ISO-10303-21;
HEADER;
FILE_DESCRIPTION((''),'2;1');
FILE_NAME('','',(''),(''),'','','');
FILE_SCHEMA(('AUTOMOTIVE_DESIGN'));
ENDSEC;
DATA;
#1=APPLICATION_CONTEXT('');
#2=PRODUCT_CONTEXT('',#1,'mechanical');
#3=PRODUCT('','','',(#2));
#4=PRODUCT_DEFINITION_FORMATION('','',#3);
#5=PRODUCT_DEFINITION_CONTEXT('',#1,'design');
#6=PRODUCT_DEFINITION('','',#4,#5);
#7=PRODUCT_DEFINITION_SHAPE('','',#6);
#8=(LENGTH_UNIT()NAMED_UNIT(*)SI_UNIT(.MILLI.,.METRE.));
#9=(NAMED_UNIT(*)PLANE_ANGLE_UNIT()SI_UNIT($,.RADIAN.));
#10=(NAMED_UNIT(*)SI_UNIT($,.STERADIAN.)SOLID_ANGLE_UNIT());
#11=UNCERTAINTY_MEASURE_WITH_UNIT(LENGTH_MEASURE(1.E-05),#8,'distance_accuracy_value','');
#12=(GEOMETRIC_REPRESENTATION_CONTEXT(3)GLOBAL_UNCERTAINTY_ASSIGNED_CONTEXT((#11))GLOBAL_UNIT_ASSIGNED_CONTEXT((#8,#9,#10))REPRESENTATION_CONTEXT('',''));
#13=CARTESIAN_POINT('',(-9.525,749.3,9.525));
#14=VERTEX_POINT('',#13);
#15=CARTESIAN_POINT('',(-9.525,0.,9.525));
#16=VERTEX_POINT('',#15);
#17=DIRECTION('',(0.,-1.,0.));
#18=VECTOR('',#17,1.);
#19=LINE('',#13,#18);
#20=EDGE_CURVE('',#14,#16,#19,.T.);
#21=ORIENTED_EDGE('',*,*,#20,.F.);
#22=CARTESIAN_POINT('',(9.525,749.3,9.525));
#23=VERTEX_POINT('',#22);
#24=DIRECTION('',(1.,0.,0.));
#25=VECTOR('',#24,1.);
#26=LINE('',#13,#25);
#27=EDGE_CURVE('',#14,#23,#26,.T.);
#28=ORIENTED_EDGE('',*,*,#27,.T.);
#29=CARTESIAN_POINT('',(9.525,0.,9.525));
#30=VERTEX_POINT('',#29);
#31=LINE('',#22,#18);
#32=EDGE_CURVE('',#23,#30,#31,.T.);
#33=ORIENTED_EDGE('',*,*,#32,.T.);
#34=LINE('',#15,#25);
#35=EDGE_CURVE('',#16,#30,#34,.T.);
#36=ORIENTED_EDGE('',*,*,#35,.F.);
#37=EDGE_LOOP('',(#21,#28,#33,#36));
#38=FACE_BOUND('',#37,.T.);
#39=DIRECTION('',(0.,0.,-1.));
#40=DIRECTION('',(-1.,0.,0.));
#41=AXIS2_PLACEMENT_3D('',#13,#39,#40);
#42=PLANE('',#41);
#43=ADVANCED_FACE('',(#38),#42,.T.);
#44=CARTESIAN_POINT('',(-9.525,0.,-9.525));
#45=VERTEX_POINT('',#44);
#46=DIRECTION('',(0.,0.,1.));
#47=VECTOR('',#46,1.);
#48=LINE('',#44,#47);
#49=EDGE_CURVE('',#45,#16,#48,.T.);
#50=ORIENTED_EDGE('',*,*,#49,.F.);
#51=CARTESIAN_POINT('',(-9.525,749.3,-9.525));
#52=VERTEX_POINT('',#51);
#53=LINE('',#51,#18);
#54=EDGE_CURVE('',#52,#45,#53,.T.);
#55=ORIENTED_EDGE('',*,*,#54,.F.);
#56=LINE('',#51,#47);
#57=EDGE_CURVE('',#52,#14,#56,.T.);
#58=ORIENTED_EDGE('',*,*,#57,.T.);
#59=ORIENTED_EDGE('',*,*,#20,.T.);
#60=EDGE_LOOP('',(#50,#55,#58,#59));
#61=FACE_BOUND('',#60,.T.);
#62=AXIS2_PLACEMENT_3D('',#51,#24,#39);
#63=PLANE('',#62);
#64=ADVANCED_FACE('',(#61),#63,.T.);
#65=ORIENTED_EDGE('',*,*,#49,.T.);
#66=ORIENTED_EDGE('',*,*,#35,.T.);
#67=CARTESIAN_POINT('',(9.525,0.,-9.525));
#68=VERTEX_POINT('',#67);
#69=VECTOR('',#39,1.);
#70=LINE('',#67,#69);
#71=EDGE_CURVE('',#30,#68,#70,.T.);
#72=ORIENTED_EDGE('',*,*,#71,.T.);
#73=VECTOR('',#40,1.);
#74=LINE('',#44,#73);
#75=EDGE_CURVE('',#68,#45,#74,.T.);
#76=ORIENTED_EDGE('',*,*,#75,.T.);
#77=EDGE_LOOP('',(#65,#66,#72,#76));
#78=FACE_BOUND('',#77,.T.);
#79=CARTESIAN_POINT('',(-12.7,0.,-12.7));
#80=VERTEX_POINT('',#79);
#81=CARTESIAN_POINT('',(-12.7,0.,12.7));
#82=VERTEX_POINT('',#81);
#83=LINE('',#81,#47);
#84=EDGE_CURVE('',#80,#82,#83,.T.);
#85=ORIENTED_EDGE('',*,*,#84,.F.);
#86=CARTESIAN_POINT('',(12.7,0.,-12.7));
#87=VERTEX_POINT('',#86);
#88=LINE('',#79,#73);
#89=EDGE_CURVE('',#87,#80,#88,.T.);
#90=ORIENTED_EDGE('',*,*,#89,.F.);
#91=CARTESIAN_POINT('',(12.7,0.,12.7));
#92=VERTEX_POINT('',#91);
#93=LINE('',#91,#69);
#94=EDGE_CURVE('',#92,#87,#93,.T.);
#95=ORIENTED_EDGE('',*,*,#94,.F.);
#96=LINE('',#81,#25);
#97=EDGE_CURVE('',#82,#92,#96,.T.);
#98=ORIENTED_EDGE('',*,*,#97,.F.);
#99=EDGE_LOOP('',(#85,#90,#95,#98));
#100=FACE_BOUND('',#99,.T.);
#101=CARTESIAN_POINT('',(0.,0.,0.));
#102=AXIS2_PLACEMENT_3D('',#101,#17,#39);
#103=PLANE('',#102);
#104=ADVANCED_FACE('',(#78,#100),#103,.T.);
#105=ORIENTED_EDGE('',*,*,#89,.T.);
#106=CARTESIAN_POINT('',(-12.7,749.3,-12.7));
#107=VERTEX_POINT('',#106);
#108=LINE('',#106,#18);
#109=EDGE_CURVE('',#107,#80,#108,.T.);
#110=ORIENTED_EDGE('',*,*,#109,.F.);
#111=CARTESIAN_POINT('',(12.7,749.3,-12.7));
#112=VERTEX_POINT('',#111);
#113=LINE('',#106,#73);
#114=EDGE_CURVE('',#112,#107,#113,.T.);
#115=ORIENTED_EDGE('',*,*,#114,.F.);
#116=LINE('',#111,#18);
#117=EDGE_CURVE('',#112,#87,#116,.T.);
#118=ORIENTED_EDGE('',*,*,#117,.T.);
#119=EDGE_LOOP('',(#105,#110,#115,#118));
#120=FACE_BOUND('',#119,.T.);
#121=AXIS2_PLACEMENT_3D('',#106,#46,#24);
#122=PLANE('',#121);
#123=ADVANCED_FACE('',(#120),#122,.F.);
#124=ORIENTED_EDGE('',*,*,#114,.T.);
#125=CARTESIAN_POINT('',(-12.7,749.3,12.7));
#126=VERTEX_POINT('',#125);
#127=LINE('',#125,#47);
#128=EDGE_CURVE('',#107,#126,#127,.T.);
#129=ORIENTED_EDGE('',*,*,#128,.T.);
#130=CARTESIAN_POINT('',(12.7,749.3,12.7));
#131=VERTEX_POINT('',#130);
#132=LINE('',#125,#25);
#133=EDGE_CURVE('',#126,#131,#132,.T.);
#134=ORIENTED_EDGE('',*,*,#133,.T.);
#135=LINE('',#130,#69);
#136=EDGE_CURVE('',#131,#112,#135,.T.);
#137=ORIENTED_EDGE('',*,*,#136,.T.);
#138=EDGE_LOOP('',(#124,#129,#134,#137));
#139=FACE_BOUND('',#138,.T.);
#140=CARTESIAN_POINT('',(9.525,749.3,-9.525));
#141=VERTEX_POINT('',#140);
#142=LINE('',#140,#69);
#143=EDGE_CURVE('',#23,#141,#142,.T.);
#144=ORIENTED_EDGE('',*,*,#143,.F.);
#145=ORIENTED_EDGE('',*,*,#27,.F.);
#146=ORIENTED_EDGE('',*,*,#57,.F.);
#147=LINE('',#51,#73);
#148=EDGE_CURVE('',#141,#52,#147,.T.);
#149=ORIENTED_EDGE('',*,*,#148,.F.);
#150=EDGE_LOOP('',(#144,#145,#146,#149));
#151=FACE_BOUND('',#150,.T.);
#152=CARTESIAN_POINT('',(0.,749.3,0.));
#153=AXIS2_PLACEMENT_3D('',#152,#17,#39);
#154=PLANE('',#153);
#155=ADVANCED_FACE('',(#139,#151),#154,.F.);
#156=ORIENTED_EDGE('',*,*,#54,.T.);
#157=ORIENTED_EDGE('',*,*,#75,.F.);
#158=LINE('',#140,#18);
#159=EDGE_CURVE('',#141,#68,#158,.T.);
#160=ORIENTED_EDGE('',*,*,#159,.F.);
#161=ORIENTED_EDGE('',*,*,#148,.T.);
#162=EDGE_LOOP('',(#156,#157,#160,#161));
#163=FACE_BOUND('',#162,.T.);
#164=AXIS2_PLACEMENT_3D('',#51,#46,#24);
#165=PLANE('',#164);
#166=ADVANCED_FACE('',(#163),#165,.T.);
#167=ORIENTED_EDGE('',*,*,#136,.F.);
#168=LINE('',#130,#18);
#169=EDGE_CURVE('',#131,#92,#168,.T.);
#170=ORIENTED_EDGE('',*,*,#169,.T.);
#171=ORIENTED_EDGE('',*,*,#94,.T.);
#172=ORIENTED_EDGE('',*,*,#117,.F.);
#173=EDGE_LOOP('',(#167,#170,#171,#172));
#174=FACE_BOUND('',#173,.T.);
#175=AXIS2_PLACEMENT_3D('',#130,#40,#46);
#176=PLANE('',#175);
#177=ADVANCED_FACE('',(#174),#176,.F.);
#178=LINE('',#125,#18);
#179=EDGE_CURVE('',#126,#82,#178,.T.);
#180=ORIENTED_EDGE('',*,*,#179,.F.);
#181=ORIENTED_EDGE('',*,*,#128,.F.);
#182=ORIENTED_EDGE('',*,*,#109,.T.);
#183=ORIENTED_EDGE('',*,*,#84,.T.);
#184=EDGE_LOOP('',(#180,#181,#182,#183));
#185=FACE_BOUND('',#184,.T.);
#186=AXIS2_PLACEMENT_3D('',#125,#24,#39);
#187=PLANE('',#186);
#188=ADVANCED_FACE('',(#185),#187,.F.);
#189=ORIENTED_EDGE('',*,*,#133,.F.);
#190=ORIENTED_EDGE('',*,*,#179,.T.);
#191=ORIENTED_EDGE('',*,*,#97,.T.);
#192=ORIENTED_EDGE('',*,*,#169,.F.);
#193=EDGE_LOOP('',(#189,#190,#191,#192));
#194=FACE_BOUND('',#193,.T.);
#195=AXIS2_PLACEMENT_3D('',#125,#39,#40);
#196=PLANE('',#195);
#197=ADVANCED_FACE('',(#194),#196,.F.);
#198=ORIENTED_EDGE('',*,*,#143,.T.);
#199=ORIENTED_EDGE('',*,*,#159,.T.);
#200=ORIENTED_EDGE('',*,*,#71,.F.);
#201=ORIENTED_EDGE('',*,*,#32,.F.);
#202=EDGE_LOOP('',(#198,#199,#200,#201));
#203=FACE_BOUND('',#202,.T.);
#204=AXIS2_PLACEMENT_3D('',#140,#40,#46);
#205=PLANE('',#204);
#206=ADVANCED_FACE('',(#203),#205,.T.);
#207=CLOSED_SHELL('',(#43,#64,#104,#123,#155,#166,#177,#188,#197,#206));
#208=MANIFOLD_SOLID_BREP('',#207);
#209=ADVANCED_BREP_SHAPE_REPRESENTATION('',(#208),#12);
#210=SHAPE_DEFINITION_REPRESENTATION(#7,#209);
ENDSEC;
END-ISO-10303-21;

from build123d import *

# Parameters (mm, degrees)
SKETCH1_W           = 25.4
SKETCH1_H           = 25.4
SKETCH1_W_2         = 19.05
SKETCH1_H_2         = 19.05
BOSS_EXTRUDE1_DEPTH = 749.3


with BuildPart() as part:
    # Sketch1 → Boss-Extrude1 (new body)
    with BuildSketch(Plane(origin=(0, 0, 0), x_dir=(1, 0, 0), z_dir=(0, 1, 0))):
        Rectangle(SKETCH1_W, SKETCH1_H)
        Rectangle(SKETCH1_W_2, SKETCH1_H_2, mode=Mode.SUBTRACT)
    extrude(amount=BOSS_EXTRUDE1_DEPTH)


solid = part.part
